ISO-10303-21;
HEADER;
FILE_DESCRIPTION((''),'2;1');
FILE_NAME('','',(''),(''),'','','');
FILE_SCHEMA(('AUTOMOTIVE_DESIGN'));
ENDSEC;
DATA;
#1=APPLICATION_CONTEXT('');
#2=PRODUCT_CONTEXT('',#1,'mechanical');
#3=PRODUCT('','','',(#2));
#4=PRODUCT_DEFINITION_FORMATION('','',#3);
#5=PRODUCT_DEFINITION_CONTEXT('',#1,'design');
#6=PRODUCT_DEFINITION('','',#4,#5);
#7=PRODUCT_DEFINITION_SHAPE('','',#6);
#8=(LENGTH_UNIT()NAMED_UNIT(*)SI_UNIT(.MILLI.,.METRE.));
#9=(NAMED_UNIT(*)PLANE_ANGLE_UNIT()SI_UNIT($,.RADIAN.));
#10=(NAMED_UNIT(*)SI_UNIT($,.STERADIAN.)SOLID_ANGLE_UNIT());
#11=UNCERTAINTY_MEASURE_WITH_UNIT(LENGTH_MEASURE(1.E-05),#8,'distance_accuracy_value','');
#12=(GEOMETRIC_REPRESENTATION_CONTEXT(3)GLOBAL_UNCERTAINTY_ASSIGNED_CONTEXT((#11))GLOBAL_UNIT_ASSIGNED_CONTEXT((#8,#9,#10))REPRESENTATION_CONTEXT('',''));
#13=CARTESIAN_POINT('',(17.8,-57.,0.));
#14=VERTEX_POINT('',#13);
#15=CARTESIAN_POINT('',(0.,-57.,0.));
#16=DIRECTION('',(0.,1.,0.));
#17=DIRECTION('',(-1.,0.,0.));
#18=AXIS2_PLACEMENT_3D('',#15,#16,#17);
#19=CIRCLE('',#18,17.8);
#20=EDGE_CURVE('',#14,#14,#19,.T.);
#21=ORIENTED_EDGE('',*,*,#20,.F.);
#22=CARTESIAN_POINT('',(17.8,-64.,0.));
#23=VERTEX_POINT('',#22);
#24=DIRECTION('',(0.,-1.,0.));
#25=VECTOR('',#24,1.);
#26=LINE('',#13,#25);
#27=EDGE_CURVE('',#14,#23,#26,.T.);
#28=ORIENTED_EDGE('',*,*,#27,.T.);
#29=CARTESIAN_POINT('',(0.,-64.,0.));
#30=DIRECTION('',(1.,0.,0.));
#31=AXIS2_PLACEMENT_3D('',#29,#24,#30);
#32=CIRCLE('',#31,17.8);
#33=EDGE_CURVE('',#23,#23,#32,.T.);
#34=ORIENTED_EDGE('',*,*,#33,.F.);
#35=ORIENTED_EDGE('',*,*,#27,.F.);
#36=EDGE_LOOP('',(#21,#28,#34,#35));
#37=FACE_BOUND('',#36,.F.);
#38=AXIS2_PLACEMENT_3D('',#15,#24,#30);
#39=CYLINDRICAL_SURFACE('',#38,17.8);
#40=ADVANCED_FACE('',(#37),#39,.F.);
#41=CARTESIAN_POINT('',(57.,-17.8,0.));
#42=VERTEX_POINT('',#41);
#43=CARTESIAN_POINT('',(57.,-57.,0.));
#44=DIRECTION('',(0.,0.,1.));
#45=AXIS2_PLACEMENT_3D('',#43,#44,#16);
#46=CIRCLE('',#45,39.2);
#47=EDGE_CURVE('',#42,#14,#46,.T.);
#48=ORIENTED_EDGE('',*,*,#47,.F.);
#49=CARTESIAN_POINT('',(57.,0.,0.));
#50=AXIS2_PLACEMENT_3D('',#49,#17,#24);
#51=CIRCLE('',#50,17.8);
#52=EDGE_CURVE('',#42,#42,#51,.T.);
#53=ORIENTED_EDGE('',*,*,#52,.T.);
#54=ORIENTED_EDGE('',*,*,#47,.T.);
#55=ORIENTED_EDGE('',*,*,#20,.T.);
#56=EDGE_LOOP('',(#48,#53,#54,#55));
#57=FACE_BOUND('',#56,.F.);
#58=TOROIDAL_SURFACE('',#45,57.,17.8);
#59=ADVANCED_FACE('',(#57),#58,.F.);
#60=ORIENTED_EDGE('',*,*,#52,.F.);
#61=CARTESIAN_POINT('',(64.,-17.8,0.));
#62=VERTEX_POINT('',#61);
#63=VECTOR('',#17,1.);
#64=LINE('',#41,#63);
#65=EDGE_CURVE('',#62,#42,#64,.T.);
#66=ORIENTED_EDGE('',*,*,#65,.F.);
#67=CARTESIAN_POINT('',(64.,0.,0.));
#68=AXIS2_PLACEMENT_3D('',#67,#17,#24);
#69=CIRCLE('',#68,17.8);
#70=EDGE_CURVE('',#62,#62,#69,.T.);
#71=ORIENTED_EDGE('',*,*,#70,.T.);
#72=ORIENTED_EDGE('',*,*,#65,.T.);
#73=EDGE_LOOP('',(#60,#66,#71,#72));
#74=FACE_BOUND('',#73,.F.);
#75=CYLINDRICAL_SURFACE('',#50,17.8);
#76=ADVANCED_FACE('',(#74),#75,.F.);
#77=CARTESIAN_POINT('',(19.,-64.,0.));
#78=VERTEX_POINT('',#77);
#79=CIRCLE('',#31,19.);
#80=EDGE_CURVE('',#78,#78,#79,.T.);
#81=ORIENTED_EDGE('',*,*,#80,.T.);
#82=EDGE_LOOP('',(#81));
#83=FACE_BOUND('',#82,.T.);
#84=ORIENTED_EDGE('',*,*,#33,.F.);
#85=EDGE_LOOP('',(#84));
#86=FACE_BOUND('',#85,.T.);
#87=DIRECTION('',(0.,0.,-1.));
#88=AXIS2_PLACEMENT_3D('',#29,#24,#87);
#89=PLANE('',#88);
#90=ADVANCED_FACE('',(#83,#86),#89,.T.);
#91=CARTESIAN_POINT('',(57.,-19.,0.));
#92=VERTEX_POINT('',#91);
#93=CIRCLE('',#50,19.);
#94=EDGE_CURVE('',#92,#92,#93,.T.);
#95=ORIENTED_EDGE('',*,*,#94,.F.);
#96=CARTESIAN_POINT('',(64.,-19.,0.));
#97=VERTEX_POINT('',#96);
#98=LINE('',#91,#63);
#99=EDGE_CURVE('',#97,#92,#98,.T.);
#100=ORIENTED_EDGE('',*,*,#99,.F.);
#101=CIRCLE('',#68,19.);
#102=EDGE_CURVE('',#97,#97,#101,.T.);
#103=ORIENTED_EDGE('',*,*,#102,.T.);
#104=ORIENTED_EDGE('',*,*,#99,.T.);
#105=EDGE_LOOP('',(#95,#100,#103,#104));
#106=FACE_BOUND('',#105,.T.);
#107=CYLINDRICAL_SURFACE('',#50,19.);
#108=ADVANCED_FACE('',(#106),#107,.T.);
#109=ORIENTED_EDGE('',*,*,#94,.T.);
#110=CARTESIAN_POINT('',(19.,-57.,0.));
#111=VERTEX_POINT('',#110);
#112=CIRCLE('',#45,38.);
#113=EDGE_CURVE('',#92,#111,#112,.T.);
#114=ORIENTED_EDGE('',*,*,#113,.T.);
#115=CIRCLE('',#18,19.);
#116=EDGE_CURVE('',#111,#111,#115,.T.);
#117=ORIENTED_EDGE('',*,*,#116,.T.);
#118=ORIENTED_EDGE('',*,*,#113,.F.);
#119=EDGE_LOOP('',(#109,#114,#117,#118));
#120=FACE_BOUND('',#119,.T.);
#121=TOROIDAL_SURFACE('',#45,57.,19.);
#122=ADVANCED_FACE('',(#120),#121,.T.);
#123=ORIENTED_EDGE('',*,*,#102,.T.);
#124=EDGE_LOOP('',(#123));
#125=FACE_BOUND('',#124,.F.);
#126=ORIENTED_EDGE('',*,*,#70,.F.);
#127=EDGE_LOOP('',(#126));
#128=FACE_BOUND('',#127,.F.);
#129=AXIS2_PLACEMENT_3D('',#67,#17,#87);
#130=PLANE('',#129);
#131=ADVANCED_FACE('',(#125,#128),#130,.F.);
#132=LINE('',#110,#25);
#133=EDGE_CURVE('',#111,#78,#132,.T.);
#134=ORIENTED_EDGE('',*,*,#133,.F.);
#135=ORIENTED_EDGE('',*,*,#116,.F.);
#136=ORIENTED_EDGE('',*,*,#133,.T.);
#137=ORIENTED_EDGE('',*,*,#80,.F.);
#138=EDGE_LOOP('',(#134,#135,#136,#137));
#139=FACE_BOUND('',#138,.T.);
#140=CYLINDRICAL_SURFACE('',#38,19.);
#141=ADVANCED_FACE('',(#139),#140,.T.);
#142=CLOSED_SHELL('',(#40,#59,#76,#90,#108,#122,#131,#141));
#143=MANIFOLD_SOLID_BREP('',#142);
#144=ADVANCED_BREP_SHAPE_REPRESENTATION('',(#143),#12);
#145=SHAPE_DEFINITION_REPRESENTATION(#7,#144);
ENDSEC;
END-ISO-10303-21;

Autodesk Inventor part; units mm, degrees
ref_plane "YZ Plane" through (0, 0, 0) normal (1, 0, 0) x (0, 1, 0)
ref_plane "XZ Plane" through (0, 0, 0) normal (0, 1, 0) x (-1, 0, 0)
sketch "Szkic6" plane through (0, 0, 0) normal (0, 0, 1) x (1, 0, 0)
  line L0 (-29.6067, 0) -> (35.2678, 0) construction
  line L1 (0, 42.3419) -> (0, -58.3726) construction
  arc A0 (57, 0) -> (0, -57) centre (57, -57) ccw
  line L2 (0, -57) -> (57, -57) construction
  line L3 (57, -57) -> (57, 8.5331) construction
  line L4 (57, 0) -> (64, 0)
  line L5 (0, -57) -> (0, -64)
  point P0 (0, 0)
  dimension "d24" = 57
  dimension "d31" = 90
  dimension "d36" = 7
  dimension "d37" = 7
ref_plane "Płaszczyzna konstrukcyjna2" through (0, -57, 0) normal (0, -1, 0) x (1, 0, 0)
sketch "Szkic8" plane through (0, -57, 0) normal (0, -1, 0) x (1, 0, 0)
  circle A0 centre (0, 0) radius 19
  circle A1 centre (0, 0) radius 17.8
  dimension "d32" = 38
  dimension "d33" = 1.2
sweep "Przeciągnięcie2" add profiles "Szkic8" path "Szkic6"
equation "\"d32\" = OD"
equation "\"d33\" = THK"
equation "\"d24\" = R"
equation "\"d31\" = KAT"
equation "\"d36\" = PROSTKA"
equation "\"d37\" = PROSTKA"
equation "\"SzerokośćGięciaPodcięcia\" = Grubość"
equation "\"RozmiarPodcięciaNarożnika\" = 4 * Grubość"
equation "\"PromieńPrzejścia\" = PromieńGięcia"
equation "\"Rozmiar_promienia_Jacobiego\" = PromieńGięcia"
equation "\"Wielk_odstępu\" = Grubość"
equation "\"d2\" = PromieńGięcia"
equation "\"d23\" = PromieńGięcia"
equation "\"R\" = 57"
equation "\"OD\" = 38"
equation "\"THK\" = 1.2"
equation "\"KAT\" = 90deg"
equation "\"PROSTKA\" = 7"
equation "\"Grubość\" = 1.5"
equation "\"PromieńGięcia\" = 3"
properties part number "Kolano 90° ø38x1,2 R57" material "304L"
